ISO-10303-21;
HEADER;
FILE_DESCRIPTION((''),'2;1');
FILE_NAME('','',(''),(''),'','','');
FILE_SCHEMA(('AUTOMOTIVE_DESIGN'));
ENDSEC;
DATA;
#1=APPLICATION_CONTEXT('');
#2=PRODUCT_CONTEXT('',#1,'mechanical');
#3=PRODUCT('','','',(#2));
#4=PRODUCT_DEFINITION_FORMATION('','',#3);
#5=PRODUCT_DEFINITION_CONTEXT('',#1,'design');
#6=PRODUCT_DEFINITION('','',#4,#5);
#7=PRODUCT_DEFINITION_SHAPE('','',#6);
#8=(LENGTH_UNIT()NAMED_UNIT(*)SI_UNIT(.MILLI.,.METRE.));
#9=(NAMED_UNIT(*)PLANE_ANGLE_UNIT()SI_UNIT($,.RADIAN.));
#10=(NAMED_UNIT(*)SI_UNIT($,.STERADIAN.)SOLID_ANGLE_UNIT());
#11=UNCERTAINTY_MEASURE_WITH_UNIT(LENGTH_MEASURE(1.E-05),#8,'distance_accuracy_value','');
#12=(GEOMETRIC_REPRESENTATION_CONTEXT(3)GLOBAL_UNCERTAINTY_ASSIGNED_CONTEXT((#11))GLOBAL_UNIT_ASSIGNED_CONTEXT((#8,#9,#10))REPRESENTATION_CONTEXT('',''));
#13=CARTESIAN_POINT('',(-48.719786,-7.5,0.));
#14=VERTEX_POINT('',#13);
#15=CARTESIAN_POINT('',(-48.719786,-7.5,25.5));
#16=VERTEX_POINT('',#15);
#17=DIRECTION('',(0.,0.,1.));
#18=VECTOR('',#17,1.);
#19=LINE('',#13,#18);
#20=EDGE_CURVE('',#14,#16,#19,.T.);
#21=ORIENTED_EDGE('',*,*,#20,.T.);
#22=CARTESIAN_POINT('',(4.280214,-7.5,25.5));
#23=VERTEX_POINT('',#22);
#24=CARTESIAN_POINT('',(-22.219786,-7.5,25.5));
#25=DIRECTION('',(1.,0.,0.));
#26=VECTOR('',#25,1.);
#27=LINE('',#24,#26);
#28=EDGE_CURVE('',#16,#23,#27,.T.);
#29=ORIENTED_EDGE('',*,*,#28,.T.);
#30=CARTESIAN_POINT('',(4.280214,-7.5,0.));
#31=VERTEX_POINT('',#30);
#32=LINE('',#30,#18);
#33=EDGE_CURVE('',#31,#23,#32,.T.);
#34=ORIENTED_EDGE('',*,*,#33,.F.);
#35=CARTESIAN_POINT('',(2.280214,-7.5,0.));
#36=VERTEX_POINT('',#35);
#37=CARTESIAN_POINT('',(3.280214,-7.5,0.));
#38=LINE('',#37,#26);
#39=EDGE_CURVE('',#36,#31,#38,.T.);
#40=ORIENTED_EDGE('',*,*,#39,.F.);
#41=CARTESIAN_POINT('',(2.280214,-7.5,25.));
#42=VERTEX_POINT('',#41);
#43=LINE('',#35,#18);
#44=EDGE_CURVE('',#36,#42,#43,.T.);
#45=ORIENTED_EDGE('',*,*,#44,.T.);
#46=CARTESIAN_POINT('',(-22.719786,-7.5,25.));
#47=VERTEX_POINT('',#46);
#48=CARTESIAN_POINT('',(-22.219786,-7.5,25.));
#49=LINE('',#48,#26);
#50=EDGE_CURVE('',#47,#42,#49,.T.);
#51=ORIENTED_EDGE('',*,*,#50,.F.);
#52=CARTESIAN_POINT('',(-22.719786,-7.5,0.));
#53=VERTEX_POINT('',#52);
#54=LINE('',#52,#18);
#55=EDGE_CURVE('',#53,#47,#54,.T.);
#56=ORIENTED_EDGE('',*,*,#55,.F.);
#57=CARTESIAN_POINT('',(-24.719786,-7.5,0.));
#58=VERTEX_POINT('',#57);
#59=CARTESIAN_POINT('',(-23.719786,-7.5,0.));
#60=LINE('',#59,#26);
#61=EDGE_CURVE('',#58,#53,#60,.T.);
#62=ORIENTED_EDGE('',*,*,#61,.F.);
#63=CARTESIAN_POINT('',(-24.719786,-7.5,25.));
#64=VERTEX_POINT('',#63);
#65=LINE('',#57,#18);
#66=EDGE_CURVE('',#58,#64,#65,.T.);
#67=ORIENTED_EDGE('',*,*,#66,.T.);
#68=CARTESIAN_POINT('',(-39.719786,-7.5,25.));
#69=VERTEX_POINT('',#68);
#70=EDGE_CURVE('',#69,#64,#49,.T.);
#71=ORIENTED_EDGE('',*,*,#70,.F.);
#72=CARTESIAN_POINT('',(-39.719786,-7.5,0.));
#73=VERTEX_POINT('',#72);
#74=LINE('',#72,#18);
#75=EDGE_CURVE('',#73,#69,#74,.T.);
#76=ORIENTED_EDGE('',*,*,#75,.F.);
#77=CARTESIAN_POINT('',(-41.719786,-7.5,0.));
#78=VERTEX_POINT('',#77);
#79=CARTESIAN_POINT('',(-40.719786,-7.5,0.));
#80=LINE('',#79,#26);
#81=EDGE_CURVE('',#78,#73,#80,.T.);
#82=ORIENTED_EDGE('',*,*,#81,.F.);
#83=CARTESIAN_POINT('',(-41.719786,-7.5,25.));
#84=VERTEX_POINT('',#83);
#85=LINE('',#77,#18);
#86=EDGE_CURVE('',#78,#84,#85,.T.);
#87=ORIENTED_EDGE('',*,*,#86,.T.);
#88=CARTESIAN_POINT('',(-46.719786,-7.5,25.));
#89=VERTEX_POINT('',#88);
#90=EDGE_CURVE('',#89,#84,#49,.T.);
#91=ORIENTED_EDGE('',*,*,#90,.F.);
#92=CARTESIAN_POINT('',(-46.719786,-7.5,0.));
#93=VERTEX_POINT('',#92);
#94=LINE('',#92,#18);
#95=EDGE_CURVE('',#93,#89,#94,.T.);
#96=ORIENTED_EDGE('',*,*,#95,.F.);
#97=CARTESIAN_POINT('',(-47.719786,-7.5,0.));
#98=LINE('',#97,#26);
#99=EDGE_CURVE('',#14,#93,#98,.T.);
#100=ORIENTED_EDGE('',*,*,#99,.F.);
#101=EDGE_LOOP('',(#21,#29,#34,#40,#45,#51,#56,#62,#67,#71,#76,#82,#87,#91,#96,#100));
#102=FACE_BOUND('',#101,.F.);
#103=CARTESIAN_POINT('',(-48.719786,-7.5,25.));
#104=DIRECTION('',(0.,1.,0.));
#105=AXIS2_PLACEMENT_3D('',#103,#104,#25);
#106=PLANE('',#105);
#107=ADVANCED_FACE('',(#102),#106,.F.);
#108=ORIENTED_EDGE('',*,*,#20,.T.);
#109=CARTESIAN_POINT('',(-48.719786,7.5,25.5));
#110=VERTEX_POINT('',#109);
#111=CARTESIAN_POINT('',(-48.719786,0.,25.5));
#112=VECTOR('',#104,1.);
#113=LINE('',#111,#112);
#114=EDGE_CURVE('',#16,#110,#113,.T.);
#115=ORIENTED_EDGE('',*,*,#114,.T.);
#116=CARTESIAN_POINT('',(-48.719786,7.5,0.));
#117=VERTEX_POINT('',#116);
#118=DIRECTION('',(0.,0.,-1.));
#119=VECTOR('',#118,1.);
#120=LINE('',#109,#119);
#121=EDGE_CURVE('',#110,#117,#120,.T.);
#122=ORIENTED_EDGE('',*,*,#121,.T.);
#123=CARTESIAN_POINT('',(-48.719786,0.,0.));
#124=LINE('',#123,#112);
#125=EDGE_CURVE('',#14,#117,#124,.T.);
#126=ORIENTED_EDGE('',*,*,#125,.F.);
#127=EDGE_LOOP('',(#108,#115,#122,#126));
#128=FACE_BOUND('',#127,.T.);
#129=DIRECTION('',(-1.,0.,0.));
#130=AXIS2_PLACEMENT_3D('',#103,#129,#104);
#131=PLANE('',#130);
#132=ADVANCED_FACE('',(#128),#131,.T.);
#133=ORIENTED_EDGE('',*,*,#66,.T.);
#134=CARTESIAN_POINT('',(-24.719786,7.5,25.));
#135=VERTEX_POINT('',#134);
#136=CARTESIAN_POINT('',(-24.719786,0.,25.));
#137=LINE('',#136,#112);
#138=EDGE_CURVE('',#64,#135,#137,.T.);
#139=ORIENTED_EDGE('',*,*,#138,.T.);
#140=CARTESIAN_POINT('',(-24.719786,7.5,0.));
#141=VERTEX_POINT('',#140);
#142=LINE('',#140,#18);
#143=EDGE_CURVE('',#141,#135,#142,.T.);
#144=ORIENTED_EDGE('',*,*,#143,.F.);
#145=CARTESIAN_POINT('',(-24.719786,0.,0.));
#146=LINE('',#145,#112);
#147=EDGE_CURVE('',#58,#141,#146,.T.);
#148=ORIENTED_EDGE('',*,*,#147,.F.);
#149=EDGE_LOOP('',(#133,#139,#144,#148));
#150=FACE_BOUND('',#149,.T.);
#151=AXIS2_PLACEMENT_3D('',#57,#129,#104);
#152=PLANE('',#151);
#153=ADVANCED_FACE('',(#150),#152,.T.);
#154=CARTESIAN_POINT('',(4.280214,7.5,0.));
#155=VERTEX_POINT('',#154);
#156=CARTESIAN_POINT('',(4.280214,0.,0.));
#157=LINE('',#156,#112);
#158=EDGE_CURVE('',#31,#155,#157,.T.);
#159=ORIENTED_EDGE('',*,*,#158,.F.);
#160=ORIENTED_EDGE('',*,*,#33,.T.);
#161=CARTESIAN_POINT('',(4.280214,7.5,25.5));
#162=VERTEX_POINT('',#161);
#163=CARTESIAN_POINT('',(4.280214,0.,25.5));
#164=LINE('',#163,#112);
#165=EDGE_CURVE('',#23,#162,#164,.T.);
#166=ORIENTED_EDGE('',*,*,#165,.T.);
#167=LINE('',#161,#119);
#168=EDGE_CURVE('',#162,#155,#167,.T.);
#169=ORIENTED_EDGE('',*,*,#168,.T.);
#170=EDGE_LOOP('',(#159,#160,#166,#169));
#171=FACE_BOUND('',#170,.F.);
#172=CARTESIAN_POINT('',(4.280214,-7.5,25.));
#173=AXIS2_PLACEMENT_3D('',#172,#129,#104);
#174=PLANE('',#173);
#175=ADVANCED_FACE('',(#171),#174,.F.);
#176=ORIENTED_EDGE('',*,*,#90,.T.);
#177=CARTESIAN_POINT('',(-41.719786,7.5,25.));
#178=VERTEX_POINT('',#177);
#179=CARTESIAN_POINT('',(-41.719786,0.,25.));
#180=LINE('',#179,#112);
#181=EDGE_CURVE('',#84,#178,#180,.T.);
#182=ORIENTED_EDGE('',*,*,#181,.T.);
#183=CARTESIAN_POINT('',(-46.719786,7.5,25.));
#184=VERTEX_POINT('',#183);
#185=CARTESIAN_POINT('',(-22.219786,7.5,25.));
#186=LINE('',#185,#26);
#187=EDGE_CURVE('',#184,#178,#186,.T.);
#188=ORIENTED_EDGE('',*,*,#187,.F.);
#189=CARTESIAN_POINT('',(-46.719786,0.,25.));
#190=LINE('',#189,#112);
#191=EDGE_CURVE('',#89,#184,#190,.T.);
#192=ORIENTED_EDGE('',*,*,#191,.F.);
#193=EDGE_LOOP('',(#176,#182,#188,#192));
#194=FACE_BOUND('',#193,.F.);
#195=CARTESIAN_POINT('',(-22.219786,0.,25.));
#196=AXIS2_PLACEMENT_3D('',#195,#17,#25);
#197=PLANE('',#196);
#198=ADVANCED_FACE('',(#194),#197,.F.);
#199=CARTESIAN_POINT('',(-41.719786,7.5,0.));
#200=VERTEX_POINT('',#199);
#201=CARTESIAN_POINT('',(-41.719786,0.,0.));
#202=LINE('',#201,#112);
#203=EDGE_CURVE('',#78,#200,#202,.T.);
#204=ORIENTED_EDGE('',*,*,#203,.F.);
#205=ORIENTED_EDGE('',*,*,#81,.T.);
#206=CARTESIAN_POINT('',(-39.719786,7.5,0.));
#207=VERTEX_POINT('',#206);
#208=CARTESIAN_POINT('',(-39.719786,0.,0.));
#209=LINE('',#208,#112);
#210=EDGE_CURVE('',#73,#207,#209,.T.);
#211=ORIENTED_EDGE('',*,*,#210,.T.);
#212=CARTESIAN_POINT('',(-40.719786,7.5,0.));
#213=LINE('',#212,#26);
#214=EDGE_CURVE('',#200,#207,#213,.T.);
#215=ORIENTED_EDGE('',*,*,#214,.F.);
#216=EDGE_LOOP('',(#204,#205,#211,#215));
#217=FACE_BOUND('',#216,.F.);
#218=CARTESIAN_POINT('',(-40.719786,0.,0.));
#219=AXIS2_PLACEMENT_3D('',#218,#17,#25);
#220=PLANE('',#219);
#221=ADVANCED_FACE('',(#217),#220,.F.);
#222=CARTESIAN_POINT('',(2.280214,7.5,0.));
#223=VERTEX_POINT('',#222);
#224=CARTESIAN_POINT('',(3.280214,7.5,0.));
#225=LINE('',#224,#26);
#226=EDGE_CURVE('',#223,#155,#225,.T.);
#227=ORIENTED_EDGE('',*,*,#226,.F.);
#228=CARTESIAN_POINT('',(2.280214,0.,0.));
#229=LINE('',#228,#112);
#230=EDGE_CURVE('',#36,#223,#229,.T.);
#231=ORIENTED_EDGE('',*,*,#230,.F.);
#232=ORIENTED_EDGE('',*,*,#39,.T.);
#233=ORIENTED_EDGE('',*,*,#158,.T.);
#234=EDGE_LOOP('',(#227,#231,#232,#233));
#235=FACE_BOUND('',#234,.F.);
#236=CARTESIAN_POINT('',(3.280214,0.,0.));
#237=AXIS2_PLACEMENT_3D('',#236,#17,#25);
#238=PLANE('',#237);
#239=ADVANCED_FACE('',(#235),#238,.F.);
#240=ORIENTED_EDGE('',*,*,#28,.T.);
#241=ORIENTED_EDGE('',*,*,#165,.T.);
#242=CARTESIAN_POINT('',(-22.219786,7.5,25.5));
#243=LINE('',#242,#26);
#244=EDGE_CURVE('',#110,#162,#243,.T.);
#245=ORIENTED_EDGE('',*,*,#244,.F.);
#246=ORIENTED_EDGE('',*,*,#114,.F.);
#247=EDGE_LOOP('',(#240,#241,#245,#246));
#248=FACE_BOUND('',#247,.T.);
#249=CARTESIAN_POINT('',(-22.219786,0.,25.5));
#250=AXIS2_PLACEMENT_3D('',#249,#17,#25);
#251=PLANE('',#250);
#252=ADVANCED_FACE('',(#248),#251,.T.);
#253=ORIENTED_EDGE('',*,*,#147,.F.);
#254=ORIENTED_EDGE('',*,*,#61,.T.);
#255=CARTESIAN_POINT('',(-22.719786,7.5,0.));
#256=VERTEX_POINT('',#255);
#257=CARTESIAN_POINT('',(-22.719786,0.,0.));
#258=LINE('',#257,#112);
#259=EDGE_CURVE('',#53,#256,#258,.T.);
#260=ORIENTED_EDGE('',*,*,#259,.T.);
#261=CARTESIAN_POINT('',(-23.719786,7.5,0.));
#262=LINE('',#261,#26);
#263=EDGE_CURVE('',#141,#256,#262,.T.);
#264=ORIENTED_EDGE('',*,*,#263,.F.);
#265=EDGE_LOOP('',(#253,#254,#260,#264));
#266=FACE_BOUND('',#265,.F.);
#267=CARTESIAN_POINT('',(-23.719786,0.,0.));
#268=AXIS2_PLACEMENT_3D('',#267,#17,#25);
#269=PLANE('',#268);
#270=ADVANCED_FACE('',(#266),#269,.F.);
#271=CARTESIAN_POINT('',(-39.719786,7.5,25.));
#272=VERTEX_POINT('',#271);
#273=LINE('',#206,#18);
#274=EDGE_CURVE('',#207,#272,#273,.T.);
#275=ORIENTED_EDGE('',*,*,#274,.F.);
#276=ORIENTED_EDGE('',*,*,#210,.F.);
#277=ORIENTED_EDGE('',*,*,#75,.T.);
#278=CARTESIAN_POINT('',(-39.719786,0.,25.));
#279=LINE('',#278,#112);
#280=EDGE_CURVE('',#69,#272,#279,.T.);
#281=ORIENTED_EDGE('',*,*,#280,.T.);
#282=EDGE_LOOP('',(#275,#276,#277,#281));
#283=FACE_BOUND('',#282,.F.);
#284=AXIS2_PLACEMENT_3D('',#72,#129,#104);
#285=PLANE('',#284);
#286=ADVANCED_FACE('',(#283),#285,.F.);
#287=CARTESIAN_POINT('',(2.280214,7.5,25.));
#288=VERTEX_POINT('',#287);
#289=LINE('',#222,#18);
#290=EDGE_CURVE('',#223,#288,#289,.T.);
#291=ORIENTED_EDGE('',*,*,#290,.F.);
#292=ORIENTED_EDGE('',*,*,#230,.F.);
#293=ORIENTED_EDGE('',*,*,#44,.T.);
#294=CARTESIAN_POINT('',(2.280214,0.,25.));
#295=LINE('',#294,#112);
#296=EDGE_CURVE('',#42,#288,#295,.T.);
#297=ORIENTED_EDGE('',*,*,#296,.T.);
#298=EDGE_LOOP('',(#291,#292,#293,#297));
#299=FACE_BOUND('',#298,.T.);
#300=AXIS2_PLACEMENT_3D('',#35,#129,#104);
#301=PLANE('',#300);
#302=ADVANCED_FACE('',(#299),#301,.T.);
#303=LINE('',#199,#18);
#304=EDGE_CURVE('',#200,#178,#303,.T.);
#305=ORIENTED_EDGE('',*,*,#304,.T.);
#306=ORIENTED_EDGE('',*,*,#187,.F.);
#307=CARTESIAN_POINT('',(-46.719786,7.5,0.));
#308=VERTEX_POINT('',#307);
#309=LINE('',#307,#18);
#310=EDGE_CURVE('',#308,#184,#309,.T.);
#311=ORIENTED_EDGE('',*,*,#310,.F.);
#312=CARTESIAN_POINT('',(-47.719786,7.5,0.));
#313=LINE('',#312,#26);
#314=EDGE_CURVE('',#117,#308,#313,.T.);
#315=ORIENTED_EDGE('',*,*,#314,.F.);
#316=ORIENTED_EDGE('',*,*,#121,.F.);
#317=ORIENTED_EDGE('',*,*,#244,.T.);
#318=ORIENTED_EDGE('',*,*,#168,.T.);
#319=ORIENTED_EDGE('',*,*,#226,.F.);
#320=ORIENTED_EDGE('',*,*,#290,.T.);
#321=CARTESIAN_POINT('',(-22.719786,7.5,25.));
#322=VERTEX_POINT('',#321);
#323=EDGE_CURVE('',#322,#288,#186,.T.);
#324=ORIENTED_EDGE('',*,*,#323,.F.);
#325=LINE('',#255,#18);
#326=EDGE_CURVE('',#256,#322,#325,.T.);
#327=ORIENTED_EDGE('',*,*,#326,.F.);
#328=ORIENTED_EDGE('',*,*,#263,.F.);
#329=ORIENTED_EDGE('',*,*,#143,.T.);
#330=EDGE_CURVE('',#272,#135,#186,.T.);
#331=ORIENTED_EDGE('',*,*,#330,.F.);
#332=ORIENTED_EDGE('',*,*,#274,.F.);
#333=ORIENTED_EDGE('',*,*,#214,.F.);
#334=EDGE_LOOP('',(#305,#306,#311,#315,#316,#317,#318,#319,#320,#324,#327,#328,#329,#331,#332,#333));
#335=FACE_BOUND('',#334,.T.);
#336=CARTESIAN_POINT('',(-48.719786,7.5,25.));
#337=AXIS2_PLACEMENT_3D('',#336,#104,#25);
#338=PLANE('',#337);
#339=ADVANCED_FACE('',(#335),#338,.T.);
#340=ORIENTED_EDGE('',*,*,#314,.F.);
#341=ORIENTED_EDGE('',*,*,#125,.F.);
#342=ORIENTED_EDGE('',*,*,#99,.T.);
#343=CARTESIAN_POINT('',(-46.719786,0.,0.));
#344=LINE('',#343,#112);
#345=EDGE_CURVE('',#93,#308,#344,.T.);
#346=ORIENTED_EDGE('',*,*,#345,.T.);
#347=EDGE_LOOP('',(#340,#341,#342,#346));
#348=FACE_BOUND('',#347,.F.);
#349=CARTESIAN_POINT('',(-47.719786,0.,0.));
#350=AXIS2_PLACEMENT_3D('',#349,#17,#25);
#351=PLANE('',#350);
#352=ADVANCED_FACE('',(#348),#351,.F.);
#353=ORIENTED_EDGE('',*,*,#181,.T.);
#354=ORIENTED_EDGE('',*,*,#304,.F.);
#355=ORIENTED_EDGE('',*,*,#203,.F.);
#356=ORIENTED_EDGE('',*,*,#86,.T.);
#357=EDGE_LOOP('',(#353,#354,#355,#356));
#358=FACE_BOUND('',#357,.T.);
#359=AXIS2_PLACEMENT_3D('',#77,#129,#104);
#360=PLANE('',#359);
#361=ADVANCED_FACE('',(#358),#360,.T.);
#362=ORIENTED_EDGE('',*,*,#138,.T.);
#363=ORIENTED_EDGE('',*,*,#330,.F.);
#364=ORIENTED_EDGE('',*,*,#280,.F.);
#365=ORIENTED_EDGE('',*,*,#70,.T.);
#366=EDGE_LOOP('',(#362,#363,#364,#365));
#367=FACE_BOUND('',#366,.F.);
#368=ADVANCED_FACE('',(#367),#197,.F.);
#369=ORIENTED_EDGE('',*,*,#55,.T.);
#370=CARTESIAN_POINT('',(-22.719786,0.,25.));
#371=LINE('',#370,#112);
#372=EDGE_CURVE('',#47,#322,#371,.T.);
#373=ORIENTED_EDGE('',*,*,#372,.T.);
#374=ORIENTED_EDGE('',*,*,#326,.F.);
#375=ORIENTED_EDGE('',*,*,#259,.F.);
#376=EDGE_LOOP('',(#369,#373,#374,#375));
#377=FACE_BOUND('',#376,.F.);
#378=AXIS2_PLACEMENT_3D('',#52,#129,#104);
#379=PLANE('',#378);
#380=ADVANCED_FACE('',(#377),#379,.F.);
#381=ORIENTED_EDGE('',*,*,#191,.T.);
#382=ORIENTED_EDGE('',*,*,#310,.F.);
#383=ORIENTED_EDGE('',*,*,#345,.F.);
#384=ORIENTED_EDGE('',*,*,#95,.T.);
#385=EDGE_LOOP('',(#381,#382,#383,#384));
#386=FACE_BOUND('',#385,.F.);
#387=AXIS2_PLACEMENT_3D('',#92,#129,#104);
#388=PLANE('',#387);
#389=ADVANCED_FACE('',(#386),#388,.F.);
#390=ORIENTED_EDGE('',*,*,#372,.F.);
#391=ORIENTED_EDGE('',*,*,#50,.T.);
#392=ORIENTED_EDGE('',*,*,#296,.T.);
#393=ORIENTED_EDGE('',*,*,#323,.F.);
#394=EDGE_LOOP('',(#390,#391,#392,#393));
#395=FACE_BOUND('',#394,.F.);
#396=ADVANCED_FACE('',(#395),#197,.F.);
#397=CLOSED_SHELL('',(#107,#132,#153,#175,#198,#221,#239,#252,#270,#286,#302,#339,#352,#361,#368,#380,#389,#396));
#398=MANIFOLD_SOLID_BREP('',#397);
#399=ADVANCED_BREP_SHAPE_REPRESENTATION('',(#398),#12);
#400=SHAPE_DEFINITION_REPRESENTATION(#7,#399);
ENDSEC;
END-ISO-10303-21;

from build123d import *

# Parameters (mm, degrees)
F0_W     = 2
F0_H     = 15
F1_DEPTH = 25
F2_W     = 53
F2_H     = 15
F3_DEPTH = 0.5


with BuildPart() as f1:
    # F0 (on Top) → F1 (new body)
    with BuildSketch(Plane.XY):
        with Locations((-47.719786, 0)):
            Rectangle(F0_W, F0_H)
        with Locations((-40.719786, 0)):
            Rectangle(F0_W, F0_H)
        with Locations((-23.719786, 0)):
            Rectangle(F0_W, F0_H)
        with Locations((3.280214, 0)):
            Rectangle(F0_W, F0_H)
    extrude(amount=F1_DEPTH)

    # F2 (on face) → F3 (join)
    with BuildSketch(Plane.XY.offset(25)):
        with Locations((-22.219786, 0)):
            Rectangle(F2_W, F2_H)
    extrude(amount=F3_DEPTH)


solid = f1.part
